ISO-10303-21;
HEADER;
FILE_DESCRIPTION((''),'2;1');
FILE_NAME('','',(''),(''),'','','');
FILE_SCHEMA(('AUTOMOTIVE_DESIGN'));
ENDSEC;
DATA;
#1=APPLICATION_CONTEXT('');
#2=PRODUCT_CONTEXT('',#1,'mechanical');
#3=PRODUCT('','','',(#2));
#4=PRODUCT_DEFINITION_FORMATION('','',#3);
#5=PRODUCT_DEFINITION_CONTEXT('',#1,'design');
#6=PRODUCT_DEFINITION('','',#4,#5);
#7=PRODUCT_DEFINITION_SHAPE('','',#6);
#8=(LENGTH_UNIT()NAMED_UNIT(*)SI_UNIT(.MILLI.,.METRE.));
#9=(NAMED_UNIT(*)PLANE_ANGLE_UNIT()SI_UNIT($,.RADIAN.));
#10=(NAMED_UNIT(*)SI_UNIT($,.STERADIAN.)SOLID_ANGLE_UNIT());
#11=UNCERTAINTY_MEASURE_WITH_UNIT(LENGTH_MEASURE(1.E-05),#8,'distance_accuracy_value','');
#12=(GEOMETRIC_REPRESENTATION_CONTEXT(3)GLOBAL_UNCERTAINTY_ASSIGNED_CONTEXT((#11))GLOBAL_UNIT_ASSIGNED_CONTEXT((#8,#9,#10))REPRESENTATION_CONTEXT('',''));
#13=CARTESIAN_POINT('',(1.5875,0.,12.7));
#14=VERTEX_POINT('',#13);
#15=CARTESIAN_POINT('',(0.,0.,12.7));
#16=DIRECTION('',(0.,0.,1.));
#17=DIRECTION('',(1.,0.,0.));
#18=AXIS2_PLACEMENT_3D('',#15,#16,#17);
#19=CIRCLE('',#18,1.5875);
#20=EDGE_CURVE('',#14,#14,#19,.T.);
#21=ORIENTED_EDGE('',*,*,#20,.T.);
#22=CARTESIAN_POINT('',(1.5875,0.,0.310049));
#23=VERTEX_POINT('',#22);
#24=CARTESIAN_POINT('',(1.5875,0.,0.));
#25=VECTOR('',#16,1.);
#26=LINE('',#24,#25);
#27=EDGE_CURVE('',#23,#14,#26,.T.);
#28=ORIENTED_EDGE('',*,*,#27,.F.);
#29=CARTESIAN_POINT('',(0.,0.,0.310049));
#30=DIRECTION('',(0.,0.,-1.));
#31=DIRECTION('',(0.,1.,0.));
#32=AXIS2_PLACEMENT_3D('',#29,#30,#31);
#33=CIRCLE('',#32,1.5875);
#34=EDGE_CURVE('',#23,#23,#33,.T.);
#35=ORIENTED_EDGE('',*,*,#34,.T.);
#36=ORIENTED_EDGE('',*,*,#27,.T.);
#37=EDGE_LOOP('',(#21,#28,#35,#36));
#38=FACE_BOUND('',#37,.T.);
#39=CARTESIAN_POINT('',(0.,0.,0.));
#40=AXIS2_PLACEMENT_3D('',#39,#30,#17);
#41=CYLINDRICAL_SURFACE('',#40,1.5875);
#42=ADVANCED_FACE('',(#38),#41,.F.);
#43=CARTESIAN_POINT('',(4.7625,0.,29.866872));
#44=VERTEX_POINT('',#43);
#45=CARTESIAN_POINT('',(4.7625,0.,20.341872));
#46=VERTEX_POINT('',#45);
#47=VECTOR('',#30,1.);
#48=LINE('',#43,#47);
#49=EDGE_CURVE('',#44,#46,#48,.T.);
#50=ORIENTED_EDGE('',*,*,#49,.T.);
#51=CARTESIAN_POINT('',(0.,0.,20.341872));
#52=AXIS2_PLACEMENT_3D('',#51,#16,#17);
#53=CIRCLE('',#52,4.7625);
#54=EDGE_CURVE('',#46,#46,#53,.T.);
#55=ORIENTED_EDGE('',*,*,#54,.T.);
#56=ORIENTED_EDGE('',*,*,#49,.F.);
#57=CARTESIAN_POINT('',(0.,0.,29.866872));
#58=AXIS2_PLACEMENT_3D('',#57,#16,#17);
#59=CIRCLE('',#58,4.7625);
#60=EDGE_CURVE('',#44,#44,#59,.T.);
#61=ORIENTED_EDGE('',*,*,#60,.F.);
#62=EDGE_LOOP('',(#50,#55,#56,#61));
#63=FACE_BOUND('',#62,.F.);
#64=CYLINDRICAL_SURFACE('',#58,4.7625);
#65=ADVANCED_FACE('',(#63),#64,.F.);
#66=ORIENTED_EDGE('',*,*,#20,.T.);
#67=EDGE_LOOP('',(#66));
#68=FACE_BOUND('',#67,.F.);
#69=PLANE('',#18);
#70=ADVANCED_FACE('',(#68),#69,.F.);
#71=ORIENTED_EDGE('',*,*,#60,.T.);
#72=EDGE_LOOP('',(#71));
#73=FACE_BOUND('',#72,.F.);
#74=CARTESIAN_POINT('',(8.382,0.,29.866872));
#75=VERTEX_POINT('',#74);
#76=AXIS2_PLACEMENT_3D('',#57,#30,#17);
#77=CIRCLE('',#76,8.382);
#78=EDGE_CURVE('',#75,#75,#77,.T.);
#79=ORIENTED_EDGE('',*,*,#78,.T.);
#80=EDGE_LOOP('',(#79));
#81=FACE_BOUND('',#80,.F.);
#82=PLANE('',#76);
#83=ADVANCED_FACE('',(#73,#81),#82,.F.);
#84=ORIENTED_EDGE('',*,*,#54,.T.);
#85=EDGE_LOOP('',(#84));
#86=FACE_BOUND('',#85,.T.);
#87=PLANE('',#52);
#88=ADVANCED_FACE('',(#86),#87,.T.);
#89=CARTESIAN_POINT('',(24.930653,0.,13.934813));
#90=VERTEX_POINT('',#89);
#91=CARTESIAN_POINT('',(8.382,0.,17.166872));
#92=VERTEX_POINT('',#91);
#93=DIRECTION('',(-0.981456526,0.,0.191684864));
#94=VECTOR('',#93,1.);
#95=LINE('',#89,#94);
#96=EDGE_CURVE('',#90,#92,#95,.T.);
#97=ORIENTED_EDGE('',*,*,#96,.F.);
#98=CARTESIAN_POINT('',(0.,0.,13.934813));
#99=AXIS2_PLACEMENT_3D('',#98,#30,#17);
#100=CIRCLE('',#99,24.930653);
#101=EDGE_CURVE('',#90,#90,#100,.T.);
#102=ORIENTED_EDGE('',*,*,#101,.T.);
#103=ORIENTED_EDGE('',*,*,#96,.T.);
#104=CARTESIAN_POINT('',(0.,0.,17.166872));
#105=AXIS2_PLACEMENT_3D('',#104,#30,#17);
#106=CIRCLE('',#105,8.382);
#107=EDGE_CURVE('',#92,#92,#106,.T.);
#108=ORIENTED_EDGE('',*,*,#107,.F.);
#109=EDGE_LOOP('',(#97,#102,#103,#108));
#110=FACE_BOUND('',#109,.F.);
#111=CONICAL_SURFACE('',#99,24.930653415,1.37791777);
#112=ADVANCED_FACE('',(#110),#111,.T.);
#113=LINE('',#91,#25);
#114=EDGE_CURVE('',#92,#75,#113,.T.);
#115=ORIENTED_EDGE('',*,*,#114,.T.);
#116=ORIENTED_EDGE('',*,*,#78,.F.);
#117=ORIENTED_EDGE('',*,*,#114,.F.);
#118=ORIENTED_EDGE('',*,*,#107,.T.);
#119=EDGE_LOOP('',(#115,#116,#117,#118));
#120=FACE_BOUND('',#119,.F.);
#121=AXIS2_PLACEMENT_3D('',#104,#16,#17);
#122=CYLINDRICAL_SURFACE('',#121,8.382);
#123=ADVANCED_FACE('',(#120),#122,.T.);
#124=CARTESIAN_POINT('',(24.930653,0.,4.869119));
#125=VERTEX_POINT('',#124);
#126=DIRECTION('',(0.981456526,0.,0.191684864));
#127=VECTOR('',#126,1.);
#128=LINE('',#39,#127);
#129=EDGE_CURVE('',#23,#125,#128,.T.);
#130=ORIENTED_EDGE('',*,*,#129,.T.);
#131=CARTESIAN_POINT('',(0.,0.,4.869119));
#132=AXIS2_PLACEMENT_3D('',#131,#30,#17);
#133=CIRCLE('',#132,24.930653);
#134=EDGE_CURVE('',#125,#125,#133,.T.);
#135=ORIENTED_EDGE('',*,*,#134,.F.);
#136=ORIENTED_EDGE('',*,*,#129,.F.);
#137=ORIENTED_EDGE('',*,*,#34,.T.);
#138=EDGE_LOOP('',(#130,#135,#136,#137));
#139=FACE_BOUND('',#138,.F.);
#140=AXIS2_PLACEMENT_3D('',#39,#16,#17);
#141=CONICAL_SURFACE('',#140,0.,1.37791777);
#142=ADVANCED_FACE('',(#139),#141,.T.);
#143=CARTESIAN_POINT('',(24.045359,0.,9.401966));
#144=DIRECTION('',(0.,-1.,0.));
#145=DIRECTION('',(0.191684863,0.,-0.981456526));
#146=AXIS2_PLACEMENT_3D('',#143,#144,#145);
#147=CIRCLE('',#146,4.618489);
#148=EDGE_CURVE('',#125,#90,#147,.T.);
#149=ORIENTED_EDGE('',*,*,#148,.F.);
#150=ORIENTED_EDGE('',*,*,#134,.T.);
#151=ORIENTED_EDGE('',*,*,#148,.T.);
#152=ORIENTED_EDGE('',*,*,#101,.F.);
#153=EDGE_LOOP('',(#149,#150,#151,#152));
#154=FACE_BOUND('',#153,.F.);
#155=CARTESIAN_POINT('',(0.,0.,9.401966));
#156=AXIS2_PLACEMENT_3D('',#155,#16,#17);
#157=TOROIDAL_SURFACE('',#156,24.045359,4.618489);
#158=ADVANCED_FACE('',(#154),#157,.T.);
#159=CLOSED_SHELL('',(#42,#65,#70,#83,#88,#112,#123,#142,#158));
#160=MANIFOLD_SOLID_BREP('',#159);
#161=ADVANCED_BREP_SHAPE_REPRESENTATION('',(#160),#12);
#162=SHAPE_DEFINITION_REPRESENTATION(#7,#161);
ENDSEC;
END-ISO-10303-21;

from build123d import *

# Parameters (mm, degrees)
F2_R     = 4.7625
F3_DEPTH = 9.525
F4_R     = 1.5875
F5_DEPTH = 12.7


with BuildPart() as f1:
    # F0 (on Front) → F1 (revolve)
    with BuildSketch(Plane.XZ):
        with BuildLine():
            Line((0, 29.8668724909), (0, 0))
            Line((0, 0), (24.9306534148, 4.8691192822))
            ThreePointArc((24.9306534148, 4.8691192822), (28.6638483422, 9.4019658913), (24.9306534148, 13.9348125005))
            Line((24.9306534148, 13.9348125005), (8.382, 17.1668724909))
            Line((8.382, 17.1668724909), (8.382, 29.8668724909))
            Line((8.382, 29.8668724909), (0, 29.8668724909))
        make_face()
    revolve(axis=Axis((0, 0, 14.9334362454), (0, 0, -1)))

    # F2 (on face) → F3 (cut)
    with BuildSketch(Plane.XY.offset(29.8668724909)):
        Circle(F2_R)
    extrude(amount=-F3_DEPTH, mode=Mode.SUBTRACT)

    # F4 (on Top) → F5 (cut)
    with BuildSketch(Plane.XY):
        Circle(F4_R)
    extrude(amount=F5_DEPTH, mode=Mode.SUBTRACT)


solid = f1.part
